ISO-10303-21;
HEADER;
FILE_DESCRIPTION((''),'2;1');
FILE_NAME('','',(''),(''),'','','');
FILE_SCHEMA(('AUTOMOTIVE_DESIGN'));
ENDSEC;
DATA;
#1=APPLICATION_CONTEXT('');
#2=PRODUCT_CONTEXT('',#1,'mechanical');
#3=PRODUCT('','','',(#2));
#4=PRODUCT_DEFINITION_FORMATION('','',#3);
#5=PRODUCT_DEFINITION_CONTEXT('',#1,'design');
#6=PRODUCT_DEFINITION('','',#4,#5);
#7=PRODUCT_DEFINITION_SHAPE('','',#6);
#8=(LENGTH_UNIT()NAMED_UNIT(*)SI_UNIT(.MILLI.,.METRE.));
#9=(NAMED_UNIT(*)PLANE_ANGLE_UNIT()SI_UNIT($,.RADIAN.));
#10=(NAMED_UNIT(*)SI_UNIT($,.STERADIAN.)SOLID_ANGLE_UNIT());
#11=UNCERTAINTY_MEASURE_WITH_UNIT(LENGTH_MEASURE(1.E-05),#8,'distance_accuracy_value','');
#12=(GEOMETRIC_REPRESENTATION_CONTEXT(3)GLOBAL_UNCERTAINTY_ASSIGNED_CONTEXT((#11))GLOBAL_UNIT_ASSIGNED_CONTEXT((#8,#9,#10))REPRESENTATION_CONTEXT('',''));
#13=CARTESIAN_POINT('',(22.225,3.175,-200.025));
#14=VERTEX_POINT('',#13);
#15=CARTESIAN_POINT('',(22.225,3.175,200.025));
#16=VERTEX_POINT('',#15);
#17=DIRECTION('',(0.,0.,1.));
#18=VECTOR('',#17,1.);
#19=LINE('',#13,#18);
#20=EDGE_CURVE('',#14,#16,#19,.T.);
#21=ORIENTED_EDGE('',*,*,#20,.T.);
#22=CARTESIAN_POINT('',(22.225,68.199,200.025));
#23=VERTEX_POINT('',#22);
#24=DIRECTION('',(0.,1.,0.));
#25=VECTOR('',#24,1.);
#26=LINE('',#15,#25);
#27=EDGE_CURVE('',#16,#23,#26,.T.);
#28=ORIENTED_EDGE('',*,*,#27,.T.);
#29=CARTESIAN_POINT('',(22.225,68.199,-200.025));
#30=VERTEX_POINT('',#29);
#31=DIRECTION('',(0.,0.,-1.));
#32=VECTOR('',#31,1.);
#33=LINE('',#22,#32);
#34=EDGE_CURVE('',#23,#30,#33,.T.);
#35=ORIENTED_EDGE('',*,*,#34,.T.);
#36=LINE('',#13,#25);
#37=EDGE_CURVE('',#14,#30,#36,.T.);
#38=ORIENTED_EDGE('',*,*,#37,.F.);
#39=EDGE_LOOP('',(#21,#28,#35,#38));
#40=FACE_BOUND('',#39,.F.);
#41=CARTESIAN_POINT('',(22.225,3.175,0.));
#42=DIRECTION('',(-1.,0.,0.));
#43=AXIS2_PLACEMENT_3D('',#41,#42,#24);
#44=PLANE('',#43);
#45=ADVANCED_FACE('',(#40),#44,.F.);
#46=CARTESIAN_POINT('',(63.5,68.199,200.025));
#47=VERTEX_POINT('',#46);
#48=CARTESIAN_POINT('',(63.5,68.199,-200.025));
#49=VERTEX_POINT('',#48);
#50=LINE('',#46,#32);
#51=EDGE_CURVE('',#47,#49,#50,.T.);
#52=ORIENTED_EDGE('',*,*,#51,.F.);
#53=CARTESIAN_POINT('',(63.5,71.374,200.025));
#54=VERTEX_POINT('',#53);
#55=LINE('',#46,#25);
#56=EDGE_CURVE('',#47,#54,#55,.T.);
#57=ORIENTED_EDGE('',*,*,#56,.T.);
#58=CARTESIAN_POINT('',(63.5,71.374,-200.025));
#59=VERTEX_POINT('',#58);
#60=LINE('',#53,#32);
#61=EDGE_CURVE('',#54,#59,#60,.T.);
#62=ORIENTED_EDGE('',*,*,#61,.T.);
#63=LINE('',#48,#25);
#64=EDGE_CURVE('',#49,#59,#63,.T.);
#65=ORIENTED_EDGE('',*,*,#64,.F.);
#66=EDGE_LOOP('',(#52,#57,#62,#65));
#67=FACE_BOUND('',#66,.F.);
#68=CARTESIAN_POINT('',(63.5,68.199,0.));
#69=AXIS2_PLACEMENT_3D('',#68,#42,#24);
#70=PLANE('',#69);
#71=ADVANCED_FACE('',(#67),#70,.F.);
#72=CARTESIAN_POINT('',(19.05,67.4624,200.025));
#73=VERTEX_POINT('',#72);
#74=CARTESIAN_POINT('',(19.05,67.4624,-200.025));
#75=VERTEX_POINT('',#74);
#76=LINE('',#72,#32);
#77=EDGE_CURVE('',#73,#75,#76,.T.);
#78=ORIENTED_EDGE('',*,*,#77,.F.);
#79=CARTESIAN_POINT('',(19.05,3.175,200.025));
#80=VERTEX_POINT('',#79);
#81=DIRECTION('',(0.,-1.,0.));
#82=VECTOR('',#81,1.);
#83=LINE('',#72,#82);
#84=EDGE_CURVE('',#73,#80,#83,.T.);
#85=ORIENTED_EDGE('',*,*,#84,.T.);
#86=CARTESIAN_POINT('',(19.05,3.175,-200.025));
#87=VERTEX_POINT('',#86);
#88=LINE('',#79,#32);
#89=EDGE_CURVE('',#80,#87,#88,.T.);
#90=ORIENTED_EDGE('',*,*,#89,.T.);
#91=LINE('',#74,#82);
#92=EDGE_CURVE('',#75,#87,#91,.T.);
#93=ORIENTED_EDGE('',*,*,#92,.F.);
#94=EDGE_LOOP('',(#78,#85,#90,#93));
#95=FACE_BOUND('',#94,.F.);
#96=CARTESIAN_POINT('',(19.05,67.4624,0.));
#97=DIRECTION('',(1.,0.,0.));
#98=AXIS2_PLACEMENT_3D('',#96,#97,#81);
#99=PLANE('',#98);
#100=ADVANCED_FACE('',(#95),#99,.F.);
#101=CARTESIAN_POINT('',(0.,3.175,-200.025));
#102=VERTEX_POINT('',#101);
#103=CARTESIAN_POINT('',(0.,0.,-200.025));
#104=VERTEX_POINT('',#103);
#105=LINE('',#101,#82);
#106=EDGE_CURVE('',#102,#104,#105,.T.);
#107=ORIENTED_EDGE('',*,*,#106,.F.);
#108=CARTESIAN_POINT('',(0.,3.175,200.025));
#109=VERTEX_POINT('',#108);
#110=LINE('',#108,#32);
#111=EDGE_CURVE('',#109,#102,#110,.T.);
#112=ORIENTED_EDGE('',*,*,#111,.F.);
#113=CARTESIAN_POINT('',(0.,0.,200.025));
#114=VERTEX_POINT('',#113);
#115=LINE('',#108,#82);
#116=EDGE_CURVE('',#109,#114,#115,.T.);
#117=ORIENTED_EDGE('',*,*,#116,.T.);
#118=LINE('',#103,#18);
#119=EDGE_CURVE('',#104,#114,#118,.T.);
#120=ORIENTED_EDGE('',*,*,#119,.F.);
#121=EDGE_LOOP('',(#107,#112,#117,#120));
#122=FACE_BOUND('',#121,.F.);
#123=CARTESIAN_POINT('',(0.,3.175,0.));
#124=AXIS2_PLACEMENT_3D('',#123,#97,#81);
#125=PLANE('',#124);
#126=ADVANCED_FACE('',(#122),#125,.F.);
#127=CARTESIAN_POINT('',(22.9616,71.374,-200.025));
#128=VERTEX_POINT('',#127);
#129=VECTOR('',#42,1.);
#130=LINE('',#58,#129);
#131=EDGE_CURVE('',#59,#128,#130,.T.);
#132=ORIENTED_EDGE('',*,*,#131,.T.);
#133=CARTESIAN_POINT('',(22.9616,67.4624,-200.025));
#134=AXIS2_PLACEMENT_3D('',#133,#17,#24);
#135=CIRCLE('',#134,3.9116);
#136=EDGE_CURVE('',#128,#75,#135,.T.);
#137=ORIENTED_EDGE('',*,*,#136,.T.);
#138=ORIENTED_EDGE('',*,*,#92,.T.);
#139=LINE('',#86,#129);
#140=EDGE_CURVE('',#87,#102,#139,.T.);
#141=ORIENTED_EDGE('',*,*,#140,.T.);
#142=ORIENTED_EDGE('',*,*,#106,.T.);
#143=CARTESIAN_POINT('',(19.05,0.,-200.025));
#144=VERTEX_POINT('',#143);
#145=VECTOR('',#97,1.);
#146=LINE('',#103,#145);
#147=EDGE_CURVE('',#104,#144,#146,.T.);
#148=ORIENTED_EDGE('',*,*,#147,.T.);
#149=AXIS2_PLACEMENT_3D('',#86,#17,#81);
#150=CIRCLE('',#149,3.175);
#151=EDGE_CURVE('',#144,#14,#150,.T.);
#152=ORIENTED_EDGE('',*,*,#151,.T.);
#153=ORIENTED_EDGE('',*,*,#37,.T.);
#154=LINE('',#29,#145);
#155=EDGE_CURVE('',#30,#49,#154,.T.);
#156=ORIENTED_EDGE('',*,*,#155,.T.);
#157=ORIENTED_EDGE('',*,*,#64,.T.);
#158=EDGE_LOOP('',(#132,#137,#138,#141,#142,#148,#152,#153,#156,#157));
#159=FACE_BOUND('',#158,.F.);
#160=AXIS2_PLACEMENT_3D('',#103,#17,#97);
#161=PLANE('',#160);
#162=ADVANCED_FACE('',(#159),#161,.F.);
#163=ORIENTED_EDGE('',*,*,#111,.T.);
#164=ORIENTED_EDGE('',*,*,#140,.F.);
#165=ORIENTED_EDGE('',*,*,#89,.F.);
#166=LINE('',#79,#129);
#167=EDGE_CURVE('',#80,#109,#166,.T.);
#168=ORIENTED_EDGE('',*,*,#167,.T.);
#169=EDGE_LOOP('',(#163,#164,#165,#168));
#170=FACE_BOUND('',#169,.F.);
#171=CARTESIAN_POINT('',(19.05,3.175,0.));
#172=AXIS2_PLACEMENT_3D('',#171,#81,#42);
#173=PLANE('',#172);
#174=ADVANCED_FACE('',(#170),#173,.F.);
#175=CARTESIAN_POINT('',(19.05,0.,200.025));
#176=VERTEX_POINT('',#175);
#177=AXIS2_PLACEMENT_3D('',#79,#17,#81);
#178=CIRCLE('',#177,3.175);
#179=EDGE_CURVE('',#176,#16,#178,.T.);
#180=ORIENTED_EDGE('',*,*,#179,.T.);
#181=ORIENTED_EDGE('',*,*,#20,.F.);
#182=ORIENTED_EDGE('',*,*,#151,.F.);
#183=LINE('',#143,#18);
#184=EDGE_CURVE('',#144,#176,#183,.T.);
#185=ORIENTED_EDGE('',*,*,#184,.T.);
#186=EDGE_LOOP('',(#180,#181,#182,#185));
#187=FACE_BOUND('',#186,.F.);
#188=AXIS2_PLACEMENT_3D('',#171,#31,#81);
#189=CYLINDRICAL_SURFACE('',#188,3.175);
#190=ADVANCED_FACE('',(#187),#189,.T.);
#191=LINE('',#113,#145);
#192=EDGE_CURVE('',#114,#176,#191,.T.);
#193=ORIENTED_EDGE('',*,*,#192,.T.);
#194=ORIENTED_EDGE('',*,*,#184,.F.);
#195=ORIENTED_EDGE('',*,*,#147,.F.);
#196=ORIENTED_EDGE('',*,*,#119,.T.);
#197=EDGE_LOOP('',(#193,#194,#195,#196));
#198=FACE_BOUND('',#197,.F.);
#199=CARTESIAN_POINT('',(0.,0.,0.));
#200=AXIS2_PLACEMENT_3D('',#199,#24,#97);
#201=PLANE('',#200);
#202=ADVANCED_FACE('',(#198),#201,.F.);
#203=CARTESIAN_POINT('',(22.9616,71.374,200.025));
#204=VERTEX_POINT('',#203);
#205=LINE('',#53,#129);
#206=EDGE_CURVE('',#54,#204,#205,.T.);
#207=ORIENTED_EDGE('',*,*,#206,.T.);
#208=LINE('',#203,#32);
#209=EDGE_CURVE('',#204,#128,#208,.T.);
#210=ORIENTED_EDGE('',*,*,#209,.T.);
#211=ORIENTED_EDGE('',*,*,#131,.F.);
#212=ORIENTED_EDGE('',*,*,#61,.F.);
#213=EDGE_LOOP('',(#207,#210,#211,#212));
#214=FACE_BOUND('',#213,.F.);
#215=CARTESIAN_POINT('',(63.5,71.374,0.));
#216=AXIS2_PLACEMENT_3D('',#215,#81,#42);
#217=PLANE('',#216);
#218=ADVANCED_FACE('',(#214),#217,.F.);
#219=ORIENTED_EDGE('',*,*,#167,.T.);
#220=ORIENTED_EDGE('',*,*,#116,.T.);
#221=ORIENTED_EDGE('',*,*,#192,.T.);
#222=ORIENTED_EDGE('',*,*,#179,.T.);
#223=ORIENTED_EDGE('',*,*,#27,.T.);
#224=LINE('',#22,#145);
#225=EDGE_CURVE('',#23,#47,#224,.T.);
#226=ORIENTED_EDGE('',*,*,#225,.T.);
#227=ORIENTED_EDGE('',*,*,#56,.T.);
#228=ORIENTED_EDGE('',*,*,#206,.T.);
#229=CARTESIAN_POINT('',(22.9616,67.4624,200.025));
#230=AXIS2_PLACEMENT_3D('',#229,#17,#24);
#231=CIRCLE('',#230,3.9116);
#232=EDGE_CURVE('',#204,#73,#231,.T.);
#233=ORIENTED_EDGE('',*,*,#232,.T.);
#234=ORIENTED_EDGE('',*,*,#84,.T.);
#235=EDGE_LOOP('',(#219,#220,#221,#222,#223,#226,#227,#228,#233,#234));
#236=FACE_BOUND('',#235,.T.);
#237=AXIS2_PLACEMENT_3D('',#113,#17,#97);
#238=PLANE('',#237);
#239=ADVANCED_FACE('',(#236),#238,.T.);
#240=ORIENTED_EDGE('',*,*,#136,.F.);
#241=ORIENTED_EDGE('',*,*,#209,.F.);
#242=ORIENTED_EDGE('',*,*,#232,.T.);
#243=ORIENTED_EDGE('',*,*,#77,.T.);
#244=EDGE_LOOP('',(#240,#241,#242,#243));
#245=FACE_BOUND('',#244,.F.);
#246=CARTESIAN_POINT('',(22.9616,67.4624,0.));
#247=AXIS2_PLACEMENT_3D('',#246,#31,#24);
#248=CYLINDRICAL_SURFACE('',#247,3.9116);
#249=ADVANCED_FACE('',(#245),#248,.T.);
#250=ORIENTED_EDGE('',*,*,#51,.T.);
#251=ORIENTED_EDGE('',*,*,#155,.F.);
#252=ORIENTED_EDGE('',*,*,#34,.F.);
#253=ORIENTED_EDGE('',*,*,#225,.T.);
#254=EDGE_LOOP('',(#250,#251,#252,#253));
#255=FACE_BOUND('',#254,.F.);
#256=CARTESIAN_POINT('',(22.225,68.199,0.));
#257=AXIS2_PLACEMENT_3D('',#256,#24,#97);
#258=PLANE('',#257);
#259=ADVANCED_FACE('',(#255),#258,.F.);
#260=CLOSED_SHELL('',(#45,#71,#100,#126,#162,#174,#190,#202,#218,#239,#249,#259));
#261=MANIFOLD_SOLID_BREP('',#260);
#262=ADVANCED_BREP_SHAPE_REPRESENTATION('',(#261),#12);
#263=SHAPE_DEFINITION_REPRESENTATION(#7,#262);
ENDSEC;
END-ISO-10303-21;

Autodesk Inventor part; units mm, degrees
ref_plane "YZ Plane" through (0, 0, 0) normal (1, 0, 0) x (0, 1, 0)
ref_plane "XZ Plane" through (0, 0, 0) normal (0, 1, 0) x (-1, 0, 0)
ref_plane "XY Plane" through (0, 0, 0) normal (0, 0, 1) x (1, 0, 0)
sketch "Sketch1" plane through (0, 0, 0) normal (0, 0, 1) x (1, 0, 0)
  line L0 (0, 0) -> (19.05, 0)
  line L1 (22.225, 3.175) -> (22.225, 68.199)
  line L2 (22.225, 68.199) -> (63.5, 68.199)
  line L3 (63.5, 68.199) -> (63.5, 71.374)
  line L4 (63.5, 71.374) -> (22.9616, 71.374)
  line L5 (19.05, 67.4624) -> (19.05, 3.175)
  line L6 (19.05, 3.175) -> (0, 3.175)
  line L7 (0, 3.175) -> (0, 0)
  arc A0 (19.05, 0) -> (22.225, 3.175) centre (19.05, 3.175) ccw
  arc A1 (22.9616, 71.374) -> (19.05, 67.4624) centre (22.9616, 67.4624) ccw
  point P0 (22.225, 0)
  point P1 (19.05, 71.374)
  dimension "d0" = 22.225
  dimension "d1" = 68.199
  dimension "d2" = 41.275
  dimension "d3" = 3.175
  dimension "d4" = 44.45
  dimension "d5" = 68.199
  dimension "d6" = 3.175
  dimension "d7" = 3.9116
extrude "Extrusion1" add sketch "Sketch1" along normal mid plane 400.05
properties part number "crossPlate"
